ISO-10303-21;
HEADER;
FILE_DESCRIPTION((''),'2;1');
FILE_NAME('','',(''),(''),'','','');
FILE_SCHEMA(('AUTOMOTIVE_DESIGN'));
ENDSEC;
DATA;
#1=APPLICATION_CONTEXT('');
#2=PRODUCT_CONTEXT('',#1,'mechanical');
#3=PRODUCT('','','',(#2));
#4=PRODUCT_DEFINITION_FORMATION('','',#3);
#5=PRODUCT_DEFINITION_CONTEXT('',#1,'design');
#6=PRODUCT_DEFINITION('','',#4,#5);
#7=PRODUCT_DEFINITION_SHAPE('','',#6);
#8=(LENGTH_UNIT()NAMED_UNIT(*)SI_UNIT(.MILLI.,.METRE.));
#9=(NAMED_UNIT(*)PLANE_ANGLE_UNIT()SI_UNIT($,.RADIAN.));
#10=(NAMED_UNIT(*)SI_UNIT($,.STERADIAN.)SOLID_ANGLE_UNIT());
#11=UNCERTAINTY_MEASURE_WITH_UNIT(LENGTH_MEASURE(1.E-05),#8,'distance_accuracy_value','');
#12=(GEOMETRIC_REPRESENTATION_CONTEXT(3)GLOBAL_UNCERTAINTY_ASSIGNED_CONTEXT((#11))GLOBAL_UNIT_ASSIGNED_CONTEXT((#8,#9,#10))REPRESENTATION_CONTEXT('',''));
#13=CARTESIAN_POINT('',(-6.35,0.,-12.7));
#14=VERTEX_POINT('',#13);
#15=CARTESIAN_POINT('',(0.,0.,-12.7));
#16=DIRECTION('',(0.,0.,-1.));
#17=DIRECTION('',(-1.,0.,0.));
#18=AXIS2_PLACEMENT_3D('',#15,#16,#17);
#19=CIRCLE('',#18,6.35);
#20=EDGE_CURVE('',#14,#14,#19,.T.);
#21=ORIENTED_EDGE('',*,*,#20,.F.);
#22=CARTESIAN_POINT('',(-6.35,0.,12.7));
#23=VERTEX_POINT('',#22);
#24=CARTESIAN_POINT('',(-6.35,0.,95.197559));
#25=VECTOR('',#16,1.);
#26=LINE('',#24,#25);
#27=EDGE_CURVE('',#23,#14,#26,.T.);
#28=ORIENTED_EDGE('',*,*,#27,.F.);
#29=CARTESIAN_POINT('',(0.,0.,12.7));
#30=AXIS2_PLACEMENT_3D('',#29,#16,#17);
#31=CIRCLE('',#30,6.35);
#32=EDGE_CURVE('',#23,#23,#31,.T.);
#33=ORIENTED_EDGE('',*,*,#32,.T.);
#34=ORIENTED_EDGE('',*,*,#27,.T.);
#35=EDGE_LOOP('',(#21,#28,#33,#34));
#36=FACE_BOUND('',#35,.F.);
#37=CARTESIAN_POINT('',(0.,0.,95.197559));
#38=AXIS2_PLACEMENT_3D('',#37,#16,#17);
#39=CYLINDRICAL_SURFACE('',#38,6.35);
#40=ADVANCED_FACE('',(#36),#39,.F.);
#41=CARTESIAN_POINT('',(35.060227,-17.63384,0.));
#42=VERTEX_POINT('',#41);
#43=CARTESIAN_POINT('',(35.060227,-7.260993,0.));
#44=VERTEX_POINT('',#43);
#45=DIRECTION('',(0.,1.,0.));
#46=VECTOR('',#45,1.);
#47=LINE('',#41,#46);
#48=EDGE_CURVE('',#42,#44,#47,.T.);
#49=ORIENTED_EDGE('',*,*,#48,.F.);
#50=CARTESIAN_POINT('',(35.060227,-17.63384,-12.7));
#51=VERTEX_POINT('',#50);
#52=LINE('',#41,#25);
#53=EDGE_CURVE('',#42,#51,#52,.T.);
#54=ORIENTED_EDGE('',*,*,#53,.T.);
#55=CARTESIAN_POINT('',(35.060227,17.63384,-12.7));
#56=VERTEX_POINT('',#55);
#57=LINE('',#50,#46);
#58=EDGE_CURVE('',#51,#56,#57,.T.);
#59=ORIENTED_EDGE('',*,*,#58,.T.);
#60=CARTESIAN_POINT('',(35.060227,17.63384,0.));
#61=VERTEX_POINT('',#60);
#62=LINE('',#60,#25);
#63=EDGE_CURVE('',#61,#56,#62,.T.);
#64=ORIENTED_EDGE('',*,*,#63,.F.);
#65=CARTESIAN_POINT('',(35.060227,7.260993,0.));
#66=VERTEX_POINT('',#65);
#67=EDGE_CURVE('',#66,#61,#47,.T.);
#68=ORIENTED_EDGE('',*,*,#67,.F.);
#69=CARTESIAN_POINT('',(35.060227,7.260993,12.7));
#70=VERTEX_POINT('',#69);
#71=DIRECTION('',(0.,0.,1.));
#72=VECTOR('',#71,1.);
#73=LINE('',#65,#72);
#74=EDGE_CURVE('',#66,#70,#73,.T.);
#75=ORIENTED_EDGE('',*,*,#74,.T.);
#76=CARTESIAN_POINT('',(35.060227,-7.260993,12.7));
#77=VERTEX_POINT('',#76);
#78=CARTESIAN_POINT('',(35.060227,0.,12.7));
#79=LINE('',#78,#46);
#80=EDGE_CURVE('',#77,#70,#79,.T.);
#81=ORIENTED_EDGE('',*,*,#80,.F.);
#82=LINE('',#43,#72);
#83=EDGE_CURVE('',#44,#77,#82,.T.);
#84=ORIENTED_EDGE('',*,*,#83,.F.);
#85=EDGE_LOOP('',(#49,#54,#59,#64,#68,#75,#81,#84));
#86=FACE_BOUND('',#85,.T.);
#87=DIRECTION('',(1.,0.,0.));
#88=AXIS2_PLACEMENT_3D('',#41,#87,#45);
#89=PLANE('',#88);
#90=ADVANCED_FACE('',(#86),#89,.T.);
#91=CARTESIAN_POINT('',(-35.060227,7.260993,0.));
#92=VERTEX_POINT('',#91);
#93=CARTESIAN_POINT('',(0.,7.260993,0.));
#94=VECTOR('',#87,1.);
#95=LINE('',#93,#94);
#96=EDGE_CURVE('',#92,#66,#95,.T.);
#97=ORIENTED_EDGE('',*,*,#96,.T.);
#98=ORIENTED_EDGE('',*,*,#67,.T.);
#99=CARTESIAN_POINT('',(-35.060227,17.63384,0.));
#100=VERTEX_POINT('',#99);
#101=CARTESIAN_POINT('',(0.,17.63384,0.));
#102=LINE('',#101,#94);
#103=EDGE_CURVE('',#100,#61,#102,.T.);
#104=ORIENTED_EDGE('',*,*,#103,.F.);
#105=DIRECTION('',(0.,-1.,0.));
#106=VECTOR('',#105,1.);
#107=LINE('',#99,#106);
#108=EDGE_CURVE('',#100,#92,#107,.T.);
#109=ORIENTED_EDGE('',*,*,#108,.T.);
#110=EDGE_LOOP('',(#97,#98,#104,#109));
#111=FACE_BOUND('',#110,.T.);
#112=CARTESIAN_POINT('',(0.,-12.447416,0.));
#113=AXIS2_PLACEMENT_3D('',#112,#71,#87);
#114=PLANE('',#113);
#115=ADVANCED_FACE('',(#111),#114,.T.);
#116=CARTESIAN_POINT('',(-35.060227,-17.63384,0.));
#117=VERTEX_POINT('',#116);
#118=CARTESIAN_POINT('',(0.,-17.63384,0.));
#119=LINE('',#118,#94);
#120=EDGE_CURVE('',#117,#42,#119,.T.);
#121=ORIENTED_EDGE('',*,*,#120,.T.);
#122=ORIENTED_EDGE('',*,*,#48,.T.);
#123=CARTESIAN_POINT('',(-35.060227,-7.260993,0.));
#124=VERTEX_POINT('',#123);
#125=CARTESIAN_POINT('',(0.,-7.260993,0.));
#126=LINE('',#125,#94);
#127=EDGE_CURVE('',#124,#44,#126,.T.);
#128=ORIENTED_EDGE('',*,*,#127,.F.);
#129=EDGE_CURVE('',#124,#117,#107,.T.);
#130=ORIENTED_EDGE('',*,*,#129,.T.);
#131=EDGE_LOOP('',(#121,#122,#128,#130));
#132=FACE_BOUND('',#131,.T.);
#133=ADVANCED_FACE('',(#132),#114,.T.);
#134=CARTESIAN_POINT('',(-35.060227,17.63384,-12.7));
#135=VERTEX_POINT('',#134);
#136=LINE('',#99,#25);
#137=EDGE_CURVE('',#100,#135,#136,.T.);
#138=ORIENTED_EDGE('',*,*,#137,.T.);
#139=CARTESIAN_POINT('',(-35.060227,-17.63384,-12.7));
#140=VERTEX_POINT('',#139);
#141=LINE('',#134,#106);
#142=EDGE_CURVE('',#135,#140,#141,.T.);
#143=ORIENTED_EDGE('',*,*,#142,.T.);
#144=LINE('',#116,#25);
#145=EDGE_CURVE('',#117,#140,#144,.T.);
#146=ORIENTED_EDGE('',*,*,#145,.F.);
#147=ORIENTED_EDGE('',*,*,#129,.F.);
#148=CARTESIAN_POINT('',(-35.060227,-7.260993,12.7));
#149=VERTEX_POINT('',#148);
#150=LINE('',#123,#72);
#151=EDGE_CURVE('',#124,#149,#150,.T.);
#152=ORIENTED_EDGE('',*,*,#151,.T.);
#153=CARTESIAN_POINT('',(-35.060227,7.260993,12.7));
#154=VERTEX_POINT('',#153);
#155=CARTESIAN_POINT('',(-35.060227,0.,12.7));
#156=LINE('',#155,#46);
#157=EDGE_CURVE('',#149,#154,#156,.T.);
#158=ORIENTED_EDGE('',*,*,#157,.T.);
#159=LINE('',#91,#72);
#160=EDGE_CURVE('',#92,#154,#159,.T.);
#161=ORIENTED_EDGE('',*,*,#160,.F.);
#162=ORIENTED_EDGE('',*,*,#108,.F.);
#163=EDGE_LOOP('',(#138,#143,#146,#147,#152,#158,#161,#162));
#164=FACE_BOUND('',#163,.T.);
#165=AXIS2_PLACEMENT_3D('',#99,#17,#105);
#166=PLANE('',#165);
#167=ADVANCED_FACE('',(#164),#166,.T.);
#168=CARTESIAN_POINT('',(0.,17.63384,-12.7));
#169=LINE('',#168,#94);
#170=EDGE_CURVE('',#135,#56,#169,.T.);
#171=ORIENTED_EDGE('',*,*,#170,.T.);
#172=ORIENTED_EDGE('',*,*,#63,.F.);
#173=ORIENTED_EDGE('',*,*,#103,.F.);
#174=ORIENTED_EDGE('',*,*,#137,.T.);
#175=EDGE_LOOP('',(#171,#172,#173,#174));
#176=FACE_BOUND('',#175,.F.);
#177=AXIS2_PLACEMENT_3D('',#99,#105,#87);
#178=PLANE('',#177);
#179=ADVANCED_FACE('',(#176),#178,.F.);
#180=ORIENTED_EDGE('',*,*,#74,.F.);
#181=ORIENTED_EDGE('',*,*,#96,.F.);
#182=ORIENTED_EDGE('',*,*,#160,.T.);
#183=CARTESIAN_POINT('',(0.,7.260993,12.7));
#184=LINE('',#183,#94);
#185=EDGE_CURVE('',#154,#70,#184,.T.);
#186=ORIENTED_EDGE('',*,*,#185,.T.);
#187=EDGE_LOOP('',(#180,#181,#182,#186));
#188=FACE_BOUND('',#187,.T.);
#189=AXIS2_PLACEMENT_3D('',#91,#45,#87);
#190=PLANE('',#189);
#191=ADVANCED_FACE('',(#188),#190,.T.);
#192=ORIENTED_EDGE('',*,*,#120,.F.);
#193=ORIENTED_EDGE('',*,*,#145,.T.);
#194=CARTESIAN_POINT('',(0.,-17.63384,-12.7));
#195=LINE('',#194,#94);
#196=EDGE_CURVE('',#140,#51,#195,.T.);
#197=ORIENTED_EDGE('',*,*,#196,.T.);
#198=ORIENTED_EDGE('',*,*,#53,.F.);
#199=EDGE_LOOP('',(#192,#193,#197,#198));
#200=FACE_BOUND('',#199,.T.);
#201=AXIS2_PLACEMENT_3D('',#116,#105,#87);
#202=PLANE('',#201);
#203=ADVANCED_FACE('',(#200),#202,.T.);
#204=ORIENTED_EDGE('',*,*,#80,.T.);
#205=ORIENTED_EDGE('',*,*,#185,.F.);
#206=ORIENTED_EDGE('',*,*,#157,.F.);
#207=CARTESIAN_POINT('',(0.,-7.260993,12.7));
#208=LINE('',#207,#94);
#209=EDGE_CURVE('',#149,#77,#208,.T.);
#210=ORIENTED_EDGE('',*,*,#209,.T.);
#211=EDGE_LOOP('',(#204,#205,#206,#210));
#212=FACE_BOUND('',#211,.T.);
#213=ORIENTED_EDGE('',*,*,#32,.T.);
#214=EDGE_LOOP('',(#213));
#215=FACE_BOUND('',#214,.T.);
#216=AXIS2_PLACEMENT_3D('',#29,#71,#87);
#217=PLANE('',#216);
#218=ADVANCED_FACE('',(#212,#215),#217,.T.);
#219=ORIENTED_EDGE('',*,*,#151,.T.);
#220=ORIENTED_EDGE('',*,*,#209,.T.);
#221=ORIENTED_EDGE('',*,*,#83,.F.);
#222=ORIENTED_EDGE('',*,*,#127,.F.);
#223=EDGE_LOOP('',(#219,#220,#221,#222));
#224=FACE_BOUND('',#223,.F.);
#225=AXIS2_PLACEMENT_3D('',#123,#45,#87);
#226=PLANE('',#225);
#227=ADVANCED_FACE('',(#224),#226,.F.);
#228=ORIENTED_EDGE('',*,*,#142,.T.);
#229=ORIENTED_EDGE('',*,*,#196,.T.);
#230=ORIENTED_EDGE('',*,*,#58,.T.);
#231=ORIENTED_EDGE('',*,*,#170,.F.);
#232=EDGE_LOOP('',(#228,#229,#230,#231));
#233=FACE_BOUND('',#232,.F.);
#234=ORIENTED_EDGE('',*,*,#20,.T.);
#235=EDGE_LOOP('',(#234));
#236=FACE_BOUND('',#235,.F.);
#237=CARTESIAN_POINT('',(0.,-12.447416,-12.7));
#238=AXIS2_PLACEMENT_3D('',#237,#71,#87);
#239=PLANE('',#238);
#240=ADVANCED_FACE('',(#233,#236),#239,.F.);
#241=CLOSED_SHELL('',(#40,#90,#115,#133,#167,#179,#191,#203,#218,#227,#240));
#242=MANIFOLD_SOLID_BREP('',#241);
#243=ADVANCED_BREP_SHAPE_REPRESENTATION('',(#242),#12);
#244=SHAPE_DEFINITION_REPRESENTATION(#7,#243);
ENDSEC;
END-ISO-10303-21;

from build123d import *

# Parameters (mm, degrees)
F0_W     = 70.120454
F0_H     = 10.372847
F0_H_2   = 14.521986
F1_DEPTH = 12.7
F2_DEPTH = 12.7
F4_D     = 12.7


with BuildPart() as f1:
    # F0 (on Top) → F1 (new body)
    with BuildSketch(Plane.XY):
        with Locations((0, -12.447416)):
            Rectangle(F0_W, F0_H)
        Rectangle(F0_W, F0_H_2)
        with Locations((0, 12.447416)):
            Rectangle(F0_W, F0_H)
    extrude(amount=-F1_DEPTH)

    # F0 (on Top) → F2 (join)
    with BuildSketch(Plane.XY):
        Rectangle(F0_W, F0_H_2)
    extrude(amount=F2_DEPTH)

    # F4 (through all)
    with Locations(Plane.XY.offset(12.7)):
        with Locations((0, 0)):
            Hole(F4_D / 2)


solid = f1.part
